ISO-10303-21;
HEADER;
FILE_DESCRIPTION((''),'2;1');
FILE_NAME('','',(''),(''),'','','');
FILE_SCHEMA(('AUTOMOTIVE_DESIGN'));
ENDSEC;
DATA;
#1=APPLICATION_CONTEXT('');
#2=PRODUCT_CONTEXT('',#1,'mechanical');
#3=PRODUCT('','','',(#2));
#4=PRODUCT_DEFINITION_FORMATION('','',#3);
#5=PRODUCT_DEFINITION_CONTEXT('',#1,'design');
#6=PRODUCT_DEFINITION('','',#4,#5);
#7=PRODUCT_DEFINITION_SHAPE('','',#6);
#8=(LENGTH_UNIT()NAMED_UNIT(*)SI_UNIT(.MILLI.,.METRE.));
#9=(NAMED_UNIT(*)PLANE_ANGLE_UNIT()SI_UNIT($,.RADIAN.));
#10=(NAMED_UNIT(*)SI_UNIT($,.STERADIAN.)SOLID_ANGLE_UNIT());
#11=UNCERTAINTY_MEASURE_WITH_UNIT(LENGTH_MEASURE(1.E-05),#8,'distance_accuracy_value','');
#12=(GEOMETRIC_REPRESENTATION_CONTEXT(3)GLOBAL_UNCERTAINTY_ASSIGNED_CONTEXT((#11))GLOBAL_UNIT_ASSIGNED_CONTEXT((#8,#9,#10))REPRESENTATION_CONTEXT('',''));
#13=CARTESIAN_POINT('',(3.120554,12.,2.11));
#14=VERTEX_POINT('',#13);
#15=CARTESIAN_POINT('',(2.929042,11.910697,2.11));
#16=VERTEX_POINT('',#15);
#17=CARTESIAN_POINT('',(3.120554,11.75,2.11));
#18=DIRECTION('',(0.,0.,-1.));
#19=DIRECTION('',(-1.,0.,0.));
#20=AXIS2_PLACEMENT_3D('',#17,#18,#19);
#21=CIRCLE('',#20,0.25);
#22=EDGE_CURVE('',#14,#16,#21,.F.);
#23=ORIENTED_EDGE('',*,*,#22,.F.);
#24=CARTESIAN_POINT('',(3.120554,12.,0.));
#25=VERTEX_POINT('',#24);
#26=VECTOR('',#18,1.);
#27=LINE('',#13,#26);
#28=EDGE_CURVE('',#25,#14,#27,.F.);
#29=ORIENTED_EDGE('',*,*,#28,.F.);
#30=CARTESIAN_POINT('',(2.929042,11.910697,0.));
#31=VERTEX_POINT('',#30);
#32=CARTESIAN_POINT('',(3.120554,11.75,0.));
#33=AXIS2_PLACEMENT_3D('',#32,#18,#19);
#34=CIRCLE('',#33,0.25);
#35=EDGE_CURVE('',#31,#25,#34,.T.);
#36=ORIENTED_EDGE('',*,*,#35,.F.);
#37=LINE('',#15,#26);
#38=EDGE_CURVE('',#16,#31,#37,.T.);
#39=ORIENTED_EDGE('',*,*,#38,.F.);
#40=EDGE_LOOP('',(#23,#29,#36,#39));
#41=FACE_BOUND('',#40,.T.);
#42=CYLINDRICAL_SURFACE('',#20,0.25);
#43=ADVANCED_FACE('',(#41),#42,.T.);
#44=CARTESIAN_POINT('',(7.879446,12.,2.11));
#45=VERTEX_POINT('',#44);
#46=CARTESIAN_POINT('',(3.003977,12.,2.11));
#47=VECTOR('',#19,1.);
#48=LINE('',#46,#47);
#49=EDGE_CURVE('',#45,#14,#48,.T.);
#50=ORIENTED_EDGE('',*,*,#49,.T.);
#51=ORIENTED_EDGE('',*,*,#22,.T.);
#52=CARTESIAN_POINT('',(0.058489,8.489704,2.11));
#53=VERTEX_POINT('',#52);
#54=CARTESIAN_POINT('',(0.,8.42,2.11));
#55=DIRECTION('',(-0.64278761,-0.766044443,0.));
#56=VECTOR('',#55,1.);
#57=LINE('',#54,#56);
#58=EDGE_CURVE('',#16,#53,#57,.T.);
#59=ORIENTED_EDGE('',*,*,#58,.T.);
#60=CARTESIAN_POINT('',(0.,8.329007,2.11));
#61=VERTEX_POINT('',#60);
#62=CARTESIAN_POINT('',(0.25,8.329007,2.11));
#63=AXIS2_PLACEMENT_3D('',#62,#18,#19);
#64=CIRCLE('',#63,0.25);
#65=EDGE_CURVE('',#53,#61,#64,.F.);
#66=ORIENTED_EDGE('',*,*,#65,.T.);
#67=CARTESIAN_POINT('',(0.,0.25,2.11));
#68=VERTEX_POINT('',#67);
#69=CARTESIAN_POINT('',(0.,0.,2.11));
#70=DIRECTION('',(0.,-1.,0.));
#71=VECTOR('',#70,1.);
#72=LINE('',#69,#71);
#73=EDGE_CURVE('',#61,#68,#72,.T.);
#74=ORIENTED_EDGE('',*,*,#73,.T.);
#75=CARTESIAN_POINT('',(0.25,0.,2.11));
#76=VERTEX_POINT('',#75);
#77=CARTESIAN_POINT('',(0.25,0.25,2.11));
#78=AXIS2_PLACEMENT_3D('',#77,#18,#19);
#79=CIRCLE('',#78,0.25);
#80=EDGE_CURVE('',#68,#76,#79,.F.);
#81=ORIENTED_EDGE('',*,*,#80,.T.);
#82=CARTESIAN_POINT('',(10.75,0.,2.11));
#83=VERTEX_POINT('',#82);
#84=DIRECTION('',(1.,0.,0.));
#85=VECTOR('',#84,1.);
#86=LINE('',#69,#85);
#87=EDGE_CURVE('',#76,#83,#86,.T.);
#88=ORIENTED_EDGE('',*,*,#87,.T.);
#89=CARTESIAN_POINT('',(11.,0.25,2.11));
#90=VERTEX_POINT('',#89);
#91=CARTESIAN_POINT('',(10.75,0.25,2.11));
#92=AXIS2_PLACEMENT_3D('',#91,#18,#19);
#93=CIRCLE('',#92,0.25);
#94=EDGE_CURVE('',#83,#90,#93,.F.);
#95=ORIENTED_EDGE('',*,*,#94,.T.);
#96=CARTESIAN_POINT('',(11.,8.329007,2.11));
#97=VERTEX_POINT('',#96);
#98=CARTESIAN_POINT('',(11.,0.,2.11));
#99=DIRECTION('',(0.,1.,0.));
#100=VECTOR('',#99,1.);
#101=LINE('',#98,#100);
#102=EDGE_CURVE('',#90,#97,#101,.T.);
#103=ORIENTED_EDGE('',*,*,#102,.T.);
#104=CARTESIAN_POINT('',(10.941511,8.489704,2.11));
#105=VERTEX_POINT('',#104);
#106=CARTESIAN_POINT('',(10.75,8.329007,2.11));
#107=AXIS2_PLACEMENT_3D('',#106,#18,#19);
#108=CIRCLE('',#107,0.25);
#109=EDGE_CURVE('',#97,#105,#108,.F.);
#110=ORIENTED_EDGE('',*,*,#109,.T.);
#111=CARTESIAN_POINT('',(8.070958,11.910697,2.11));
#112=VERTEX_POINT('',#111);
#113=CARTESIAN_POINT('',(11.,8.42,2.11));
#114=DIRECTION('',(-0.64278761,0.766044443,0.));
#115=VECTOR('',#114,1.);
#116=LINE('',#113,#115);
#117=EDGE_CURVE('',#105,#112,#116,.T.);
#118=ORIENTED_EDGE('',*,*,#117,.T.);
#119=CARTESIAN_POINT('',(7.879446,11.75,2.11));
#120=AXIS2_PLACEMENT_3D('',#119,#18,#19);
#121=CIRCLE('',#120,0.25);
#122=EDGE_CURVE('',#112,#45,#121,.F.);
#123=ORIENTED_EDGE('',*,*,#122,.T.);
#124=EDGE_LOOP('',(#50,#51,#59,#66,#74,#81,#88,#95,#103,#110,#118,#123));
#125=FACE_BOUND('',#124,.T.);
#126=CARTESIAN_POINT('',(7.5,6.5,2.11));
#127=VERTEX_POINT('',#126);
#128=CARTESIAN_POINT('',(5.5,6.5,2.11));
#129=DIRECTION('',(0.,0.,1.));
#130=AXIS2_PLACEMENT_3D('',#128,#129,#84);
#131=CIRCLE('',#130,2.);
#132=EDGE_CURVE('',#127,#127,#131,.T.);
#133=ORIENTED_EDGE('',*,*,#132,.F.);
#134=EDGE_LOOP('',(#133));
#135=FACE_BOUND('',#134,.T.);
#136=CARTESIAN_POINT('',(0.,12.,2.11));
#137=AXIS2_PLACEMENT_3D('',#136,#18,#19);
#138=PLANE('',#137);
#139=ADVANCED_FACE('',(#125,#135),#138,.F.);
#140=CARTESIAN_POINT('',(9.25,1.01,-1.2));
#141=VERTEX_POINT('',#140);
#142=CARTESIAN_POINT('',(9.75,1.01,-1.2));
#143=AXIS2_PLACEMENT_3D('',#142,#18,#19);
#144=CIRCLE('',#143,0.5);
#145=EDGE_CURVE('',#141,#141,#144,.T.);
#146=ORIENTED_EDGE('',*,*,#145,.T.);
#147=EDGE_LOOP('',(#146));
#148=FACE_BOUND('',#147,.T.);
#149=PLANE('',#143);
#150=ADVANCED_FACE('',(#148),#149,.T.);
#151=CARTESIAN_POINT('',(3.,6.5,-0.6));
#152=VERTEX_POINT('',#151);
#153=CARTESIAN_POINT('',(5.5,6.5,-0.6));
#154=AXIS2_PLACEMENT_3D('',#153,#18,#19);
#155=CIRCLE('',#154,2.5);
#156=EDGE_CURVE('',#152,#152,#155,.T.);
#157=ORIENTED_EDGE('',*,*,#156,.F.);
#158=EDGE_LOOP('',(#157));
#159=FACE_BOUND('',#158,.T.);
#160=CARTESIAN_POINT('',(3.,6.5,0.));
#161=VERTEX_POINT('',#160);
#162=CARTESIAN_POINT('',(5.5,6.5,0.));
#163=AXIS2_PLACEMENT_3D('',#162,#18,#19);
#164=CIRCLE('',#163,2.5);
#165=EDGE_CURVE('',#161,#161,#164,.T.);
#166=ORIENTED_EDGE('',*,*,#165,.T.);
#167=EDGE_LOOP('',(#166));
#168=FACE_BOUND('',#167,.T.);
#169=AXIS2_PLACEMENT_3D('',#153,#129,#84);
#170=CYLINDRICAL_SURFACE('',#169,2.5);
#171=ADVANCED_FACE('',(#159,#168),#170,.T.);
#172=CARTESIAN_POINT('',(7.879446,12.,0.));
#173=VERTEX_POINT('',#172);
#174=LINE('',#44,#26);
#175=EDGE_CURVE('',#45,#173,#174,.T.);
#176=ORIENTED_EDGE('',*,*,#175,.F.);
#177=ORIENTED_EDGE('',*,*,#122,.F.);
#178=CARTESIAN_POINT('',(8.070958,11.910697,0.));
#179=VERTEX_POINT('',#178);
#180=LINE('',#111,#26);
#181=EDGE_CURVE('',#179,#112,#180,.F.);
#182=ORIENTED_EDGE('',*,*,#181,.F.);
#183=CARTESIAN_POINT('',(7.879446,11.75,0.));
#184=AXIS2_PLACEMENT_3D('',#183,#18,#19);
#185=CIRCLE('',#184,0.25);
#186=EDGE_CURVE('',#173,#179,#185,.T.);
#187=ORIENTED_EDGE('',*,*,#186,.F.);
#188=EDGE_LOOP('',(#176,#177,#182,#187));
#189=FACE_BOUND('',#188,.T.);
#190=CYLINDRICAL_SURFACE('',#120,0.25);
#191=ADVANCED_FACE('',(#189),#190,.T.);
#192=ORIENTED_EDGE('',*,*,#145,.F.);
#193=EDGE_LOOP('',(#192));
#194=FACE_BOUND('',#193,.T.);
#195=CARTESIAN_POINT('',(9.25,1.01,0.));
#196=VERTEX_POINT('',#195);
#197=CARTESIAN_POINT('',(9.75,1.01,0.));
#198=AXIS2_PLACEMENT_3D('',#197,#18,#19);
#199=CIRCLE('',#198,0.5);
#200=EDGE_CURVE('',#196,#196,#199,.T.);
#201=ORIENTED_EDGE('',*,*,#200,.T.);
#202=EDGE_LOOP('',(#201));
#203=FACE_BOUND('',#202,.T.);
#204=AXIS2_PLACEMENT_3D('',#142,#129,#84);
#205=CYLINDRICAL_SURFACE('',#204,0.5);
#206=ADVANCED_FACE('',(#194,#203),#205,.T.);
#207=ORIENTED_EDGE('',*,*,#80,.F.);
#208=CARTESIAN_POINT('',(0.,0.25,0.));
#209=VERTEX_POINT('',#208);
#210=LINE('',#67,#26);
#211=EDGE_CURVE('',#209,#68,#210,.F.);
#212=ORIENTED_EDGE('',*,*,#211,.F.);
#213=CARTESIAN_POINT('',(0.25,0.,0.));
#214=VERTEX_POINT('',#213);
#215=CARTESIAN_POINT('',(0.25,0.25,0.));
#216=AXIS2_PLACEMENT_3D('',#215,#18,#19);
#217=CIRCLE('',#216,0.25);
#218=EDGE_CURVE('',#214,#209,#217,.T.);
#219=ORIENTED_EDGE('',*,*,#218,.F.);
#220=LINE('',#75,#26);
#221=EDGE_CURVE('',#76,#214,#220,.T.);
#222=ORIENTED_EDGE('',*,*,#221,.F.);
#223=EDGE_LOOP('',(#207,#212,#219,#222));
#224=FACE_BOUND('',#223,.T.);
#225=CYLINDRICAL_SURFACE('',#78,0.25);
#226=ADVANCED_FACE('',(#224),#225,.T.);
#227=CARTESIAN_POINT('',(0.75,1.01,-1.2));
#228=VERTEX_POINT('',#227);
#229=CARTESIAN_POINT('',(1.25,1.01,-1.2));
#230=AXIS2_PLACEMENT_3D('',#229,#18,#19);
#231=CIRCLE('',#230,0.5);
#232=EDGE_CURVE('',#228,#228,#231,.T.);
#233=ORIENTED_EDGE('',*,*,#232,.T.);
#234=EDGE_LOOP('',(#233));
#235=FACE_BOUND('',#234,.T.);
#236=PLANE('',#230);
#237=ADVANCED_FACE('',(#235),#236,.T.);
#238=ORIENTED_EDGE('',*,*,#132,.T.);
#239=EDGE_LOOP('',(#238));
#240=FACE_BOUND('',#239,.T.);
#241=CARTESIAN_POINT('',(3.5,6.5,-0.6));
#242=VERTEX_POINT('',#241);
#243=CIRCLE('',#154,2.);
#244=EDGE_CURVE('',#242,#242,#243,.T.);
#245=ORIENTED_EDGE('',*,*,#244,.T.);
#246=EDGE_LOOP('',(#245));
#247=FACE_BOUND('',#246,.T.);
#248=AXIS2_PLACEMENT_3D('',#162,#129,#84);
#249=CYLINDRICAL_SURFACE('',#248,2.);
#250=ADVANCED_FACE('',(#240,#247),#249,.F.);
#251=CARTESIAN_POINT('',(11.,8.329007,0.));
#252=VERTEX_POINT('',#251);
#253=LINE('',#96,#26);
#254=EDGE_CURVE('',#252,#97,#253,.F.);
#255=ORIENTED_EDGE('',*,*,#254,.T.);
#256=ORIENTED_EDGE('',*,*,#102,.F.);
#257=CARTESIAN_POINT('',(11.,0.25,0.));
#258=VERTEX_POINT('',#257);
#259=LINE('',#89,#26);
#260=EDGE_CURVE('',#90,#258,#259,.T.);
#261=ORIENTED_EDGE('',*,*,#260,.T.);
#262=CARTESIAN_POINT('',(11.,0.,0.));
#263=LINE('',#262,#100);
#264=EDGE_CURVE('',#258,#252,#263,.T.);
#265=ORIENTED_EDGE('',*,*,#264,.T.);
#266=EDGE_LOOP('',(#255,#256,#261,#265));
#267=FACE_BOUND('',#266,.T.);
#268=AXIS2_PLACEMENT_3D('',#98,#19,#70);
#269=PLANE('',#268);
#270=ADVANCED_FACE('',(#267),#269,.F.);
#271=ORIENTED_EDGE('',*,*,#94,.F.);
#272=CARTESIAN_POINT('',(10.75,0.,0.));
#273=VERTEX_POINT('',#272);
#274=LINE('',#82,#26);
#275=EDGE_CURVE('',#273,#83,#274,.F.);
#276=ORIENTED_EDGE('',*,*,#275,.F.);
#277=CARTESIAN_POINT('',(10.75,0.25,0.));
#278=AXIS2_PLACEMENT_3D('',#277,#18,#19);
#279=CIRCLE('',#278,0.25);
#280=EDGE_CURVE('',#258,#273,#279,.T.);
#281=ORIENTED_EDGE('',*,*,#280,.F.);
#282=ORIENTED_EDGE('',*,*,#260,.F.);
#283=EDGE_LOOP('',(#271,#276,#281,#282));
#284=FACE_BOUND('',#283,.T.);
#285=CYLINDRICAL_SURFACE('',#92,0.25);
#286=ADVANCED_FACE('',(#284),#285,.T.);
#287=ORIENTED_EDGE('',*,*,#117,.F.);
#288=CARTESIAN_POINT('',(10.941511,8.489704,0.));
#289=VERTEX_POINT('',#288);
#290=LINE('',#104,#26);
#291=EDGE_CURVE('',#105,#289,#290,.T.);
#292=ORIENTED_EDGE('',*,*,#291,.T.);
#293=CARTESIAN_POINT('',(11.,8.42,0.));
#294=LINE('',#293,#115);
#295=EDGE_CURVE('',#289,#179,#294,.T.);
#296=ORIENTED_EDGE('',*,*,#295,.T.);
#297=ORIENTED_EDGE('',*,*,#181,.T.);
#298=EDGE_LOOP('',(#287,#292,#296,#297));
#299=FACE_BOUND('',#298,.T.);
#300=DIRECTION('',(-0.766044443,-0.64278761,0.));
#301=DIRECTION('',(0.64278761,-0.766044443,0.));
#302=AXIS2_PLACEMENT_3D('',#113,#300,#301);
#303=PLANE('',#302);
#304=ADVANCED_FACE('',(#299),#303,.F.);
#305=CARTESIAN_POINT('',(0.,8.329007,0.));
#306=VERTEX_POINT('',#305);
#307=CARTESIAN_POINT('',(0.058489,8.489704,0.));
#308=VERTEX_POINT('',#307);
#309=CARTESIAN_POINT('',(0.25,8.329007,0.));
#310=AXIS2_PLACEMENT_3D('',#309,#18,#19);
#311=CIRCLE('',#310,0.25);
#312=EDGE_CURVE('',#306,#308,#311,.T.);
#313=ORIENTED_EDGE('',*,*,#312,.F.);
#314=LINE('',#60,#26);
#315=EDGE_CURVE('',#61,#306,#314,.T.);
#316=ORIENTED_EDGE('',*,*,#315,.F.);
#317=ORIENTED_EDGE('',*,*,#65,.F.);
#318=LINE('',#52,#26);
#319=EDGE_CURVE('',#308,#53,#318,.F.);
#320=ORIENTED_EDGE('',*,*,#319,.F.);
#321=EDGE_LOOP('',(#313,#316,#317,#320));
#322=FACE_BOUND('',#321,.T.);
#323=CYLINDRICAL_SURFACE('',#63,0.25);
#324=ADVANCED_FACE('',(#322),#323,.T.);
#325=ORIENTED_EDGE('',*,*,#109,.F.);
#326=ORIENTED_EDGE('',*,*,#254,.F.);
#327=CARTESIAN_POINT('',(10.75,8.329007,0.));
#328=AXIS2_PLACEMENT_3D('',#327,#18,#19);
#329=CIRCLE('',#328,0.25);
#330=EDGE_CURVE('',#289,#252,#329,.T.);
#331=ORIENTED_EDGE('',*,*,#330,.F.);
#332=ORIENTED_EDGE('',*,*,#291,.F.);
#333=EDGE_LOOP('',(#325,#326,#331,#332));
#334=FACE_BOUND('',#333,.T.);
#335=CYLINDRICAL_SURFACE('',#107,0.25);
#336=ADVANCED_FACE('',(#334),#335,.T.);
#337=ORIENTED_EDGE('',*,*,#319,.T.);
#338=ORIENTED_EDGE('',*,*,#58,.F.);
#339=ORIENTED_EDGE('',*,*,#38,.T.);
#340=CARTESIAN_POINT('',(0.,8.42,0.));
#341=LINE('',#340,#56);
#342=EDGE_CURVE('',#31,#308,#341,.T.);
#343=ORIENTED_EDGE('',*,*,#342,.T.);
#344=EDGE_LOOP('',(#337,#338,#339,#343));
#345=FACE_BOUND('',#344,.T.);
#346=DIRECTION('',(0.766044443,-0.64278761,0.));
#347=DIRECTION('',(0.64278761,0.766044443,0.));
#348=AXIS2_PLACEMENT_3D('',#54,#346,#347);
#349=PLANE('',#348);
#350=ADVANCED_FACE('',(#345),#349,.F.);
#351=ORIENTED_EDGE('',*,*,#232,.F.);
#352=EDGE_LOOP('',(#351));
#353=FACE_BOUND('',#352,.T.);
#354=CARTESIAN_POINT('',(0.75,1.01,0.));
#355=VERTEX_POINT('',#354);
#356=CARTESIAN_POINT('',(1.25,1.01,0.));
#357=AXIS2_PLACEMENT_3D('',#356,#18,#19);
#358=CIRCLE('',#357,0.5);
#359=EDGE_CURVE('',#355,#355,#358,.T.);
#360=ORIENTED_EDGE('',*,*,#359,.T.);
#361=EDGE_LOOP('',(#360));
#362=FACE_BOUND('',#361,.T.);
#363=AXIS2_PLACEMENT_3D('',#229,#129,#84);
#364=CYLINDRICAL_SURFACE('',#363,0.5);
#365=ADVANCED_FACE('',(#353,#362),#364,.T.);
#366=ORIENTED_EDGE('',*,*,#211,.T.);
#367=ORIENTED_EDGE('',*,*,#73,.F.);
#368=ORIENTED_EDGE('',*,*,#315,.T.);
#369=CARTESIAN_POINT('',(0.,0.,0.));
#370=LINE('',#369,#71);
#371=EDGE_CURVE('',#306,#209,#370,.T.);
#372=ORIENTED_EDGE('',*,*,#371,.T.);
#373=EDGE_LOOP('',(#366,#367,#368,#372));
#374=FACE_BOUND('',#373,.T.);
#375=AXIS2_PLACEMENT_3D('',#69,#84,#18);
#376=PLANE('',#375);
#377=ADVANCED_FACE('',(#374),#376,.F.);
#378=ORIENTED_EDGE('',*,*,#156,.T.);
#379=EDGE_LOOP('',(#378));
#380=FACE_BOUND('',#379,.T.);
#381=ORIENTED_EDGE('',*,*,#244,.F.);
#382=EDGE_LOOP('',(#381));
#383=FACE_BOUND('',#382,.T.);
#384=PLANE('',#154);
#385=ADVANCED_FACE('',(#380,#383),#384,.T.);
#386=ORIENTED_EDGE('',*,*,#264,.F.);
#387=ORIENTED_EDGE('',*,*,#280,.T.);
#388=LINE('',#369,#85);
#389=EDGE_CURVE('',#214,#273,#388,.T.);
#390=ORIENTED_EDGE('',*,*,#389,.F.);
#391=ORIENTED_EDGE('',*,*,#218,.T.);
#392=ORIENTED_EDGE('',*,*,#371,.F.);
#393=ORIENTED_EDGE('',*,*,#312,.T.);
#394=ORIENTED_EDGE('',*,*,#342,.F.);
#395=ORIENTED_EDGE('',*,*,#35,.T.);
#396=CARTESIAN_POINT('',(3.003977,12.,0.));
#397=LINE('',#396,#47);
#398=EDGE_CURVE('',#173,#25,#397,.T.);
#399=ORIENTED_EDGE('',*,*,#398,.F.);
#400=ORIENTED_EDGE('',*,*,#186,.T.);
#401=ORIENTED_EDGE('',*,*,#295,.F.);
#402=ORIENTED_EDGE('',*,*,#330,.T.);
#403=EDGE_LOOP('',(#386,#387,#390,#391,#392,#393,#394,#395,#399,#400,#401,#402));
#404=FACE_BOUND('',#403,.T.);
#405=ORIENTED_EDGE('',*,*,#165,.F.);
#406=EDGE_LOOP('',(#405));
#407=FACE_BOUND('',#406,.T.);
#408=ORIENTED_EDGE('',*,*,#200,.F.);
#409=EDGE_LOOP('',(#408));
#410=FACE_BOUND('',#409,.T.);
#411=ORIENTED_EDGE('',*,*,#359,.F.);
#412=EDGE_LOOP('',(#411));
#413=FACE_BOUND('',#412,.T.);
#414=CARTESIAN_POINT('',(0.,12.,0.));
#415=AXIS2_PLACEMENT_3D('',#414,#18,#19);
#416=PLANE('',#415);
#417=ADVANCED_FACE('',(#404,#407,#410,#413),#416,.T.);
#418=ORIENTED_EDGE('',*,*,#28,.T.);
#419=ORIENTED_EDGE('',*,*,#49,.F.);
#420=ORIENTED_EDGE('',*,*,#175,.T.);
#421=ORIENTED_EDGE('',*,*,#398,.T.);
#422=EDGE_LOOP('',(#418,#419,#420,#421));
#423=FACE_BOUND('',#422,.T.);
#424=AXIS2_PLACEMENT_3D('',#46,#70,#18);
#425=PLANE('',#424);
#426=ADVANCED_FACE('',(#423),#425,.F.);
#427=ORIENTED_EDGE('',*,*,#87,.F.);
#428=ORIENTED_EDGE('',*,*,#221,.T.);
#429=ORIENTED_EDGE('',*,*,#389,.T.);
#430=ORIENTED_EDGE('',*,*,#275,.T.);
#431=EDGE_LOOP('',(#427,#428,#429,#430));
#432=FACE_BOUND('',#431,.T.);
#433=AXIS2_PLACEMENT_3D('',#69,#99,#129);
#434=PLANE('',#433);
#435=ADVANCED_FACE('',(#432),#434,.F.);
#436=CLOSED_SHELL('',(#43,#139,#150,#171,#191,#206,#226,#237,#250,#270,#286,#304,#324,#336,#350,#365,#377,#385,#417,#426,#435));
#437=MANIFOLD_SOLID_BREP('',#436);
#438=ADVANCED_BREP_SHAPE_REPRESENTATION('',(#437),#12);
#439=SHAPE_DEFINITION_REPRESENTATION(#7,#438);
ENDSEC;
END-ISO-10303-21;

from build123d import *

# Parameters (mm, degrees)
EXTRUSION1_DEPTH = 2.11
CONG_1_R         = 0.25
ESQUISSE2_R      = 2
EXTRUSION2_DEPTH = 17.414996193
ESQUISSE3_R      = 2.5
ESQUISSE3_R_2    = 2
EXTRUSION3_DEPTH = 0.6
ESQUISSE4_R      = 0.5
EXTRUSION4_DEPTH = 1.2


with BuildPart() as part:
    # Esquisse1 → Extrusion1 (new body)
    with BuildSketch(Plane.XY):
        Polygon((0, 8.42), (3.00397668, 12), (7.99602332, 12), (11, 8.42), (11, 0), (0, 0), align=None)
    extrude(amount=EXTRUSION1_DEPTH)

    # Congé1
    cong_1_edges = [part.edges().sort_by_distance(p)[0] for p in [
        (0, 8.42, 1.055),
        (3.00397668, 12, 1.055),
        (7.99602332, 12, 1.055),
        (11, 8.42, 1.055),
        (11, 0, 1.055),
        (0, 0, 1.055),
    ]]
    fillet(cong_1_edges, radius=CONG_1_R)

    # Esquisse2 → Extrusion2 (cut, through all)
    with BuildSketch(Plane.XY.offset(2.11)):
        with Locations((5.5, 6.5)):
            Circle(ESQUISSE2_R)
    extrude(amount=-EXTRUSION2_DEPTH, mode=Mode.SUBTRACT)

    # Esquisse3 → Extrusion3 (add)
    with BuildSketch(Plane(origin=(0, 0, 0), x_dir=(-1, 0, 0), z_dir=(0, 0, -1))):
        with Locations((-5.5, 6.5)):
            Circle(ESQUISSE3_R)
        with Locations(Location((-5.5, 6.5, 0), (0, 0, 180))):
            Circle(ESQUISSE3_R_2, mode=Mode.SUBTRACT)
    extrude(amount=EXTRUSION3_DEPTH)

    # Esquisse4 → Extrusion4 (add)
    with BuildSketch(Plane(origin=(0, 0, 0), x_dir=(-1, 0, 0), z_dir=(0, 0, -1))):
        with Locations((-9.75, 1.01)):
            Circle(ESQUISSE4_R)
        with Locations((-1.25, 1.01)):
            Circle(ESQUISSE4_R)
    extrude(amount=EXTRUSION4_DEPTH)


solid = part.part
